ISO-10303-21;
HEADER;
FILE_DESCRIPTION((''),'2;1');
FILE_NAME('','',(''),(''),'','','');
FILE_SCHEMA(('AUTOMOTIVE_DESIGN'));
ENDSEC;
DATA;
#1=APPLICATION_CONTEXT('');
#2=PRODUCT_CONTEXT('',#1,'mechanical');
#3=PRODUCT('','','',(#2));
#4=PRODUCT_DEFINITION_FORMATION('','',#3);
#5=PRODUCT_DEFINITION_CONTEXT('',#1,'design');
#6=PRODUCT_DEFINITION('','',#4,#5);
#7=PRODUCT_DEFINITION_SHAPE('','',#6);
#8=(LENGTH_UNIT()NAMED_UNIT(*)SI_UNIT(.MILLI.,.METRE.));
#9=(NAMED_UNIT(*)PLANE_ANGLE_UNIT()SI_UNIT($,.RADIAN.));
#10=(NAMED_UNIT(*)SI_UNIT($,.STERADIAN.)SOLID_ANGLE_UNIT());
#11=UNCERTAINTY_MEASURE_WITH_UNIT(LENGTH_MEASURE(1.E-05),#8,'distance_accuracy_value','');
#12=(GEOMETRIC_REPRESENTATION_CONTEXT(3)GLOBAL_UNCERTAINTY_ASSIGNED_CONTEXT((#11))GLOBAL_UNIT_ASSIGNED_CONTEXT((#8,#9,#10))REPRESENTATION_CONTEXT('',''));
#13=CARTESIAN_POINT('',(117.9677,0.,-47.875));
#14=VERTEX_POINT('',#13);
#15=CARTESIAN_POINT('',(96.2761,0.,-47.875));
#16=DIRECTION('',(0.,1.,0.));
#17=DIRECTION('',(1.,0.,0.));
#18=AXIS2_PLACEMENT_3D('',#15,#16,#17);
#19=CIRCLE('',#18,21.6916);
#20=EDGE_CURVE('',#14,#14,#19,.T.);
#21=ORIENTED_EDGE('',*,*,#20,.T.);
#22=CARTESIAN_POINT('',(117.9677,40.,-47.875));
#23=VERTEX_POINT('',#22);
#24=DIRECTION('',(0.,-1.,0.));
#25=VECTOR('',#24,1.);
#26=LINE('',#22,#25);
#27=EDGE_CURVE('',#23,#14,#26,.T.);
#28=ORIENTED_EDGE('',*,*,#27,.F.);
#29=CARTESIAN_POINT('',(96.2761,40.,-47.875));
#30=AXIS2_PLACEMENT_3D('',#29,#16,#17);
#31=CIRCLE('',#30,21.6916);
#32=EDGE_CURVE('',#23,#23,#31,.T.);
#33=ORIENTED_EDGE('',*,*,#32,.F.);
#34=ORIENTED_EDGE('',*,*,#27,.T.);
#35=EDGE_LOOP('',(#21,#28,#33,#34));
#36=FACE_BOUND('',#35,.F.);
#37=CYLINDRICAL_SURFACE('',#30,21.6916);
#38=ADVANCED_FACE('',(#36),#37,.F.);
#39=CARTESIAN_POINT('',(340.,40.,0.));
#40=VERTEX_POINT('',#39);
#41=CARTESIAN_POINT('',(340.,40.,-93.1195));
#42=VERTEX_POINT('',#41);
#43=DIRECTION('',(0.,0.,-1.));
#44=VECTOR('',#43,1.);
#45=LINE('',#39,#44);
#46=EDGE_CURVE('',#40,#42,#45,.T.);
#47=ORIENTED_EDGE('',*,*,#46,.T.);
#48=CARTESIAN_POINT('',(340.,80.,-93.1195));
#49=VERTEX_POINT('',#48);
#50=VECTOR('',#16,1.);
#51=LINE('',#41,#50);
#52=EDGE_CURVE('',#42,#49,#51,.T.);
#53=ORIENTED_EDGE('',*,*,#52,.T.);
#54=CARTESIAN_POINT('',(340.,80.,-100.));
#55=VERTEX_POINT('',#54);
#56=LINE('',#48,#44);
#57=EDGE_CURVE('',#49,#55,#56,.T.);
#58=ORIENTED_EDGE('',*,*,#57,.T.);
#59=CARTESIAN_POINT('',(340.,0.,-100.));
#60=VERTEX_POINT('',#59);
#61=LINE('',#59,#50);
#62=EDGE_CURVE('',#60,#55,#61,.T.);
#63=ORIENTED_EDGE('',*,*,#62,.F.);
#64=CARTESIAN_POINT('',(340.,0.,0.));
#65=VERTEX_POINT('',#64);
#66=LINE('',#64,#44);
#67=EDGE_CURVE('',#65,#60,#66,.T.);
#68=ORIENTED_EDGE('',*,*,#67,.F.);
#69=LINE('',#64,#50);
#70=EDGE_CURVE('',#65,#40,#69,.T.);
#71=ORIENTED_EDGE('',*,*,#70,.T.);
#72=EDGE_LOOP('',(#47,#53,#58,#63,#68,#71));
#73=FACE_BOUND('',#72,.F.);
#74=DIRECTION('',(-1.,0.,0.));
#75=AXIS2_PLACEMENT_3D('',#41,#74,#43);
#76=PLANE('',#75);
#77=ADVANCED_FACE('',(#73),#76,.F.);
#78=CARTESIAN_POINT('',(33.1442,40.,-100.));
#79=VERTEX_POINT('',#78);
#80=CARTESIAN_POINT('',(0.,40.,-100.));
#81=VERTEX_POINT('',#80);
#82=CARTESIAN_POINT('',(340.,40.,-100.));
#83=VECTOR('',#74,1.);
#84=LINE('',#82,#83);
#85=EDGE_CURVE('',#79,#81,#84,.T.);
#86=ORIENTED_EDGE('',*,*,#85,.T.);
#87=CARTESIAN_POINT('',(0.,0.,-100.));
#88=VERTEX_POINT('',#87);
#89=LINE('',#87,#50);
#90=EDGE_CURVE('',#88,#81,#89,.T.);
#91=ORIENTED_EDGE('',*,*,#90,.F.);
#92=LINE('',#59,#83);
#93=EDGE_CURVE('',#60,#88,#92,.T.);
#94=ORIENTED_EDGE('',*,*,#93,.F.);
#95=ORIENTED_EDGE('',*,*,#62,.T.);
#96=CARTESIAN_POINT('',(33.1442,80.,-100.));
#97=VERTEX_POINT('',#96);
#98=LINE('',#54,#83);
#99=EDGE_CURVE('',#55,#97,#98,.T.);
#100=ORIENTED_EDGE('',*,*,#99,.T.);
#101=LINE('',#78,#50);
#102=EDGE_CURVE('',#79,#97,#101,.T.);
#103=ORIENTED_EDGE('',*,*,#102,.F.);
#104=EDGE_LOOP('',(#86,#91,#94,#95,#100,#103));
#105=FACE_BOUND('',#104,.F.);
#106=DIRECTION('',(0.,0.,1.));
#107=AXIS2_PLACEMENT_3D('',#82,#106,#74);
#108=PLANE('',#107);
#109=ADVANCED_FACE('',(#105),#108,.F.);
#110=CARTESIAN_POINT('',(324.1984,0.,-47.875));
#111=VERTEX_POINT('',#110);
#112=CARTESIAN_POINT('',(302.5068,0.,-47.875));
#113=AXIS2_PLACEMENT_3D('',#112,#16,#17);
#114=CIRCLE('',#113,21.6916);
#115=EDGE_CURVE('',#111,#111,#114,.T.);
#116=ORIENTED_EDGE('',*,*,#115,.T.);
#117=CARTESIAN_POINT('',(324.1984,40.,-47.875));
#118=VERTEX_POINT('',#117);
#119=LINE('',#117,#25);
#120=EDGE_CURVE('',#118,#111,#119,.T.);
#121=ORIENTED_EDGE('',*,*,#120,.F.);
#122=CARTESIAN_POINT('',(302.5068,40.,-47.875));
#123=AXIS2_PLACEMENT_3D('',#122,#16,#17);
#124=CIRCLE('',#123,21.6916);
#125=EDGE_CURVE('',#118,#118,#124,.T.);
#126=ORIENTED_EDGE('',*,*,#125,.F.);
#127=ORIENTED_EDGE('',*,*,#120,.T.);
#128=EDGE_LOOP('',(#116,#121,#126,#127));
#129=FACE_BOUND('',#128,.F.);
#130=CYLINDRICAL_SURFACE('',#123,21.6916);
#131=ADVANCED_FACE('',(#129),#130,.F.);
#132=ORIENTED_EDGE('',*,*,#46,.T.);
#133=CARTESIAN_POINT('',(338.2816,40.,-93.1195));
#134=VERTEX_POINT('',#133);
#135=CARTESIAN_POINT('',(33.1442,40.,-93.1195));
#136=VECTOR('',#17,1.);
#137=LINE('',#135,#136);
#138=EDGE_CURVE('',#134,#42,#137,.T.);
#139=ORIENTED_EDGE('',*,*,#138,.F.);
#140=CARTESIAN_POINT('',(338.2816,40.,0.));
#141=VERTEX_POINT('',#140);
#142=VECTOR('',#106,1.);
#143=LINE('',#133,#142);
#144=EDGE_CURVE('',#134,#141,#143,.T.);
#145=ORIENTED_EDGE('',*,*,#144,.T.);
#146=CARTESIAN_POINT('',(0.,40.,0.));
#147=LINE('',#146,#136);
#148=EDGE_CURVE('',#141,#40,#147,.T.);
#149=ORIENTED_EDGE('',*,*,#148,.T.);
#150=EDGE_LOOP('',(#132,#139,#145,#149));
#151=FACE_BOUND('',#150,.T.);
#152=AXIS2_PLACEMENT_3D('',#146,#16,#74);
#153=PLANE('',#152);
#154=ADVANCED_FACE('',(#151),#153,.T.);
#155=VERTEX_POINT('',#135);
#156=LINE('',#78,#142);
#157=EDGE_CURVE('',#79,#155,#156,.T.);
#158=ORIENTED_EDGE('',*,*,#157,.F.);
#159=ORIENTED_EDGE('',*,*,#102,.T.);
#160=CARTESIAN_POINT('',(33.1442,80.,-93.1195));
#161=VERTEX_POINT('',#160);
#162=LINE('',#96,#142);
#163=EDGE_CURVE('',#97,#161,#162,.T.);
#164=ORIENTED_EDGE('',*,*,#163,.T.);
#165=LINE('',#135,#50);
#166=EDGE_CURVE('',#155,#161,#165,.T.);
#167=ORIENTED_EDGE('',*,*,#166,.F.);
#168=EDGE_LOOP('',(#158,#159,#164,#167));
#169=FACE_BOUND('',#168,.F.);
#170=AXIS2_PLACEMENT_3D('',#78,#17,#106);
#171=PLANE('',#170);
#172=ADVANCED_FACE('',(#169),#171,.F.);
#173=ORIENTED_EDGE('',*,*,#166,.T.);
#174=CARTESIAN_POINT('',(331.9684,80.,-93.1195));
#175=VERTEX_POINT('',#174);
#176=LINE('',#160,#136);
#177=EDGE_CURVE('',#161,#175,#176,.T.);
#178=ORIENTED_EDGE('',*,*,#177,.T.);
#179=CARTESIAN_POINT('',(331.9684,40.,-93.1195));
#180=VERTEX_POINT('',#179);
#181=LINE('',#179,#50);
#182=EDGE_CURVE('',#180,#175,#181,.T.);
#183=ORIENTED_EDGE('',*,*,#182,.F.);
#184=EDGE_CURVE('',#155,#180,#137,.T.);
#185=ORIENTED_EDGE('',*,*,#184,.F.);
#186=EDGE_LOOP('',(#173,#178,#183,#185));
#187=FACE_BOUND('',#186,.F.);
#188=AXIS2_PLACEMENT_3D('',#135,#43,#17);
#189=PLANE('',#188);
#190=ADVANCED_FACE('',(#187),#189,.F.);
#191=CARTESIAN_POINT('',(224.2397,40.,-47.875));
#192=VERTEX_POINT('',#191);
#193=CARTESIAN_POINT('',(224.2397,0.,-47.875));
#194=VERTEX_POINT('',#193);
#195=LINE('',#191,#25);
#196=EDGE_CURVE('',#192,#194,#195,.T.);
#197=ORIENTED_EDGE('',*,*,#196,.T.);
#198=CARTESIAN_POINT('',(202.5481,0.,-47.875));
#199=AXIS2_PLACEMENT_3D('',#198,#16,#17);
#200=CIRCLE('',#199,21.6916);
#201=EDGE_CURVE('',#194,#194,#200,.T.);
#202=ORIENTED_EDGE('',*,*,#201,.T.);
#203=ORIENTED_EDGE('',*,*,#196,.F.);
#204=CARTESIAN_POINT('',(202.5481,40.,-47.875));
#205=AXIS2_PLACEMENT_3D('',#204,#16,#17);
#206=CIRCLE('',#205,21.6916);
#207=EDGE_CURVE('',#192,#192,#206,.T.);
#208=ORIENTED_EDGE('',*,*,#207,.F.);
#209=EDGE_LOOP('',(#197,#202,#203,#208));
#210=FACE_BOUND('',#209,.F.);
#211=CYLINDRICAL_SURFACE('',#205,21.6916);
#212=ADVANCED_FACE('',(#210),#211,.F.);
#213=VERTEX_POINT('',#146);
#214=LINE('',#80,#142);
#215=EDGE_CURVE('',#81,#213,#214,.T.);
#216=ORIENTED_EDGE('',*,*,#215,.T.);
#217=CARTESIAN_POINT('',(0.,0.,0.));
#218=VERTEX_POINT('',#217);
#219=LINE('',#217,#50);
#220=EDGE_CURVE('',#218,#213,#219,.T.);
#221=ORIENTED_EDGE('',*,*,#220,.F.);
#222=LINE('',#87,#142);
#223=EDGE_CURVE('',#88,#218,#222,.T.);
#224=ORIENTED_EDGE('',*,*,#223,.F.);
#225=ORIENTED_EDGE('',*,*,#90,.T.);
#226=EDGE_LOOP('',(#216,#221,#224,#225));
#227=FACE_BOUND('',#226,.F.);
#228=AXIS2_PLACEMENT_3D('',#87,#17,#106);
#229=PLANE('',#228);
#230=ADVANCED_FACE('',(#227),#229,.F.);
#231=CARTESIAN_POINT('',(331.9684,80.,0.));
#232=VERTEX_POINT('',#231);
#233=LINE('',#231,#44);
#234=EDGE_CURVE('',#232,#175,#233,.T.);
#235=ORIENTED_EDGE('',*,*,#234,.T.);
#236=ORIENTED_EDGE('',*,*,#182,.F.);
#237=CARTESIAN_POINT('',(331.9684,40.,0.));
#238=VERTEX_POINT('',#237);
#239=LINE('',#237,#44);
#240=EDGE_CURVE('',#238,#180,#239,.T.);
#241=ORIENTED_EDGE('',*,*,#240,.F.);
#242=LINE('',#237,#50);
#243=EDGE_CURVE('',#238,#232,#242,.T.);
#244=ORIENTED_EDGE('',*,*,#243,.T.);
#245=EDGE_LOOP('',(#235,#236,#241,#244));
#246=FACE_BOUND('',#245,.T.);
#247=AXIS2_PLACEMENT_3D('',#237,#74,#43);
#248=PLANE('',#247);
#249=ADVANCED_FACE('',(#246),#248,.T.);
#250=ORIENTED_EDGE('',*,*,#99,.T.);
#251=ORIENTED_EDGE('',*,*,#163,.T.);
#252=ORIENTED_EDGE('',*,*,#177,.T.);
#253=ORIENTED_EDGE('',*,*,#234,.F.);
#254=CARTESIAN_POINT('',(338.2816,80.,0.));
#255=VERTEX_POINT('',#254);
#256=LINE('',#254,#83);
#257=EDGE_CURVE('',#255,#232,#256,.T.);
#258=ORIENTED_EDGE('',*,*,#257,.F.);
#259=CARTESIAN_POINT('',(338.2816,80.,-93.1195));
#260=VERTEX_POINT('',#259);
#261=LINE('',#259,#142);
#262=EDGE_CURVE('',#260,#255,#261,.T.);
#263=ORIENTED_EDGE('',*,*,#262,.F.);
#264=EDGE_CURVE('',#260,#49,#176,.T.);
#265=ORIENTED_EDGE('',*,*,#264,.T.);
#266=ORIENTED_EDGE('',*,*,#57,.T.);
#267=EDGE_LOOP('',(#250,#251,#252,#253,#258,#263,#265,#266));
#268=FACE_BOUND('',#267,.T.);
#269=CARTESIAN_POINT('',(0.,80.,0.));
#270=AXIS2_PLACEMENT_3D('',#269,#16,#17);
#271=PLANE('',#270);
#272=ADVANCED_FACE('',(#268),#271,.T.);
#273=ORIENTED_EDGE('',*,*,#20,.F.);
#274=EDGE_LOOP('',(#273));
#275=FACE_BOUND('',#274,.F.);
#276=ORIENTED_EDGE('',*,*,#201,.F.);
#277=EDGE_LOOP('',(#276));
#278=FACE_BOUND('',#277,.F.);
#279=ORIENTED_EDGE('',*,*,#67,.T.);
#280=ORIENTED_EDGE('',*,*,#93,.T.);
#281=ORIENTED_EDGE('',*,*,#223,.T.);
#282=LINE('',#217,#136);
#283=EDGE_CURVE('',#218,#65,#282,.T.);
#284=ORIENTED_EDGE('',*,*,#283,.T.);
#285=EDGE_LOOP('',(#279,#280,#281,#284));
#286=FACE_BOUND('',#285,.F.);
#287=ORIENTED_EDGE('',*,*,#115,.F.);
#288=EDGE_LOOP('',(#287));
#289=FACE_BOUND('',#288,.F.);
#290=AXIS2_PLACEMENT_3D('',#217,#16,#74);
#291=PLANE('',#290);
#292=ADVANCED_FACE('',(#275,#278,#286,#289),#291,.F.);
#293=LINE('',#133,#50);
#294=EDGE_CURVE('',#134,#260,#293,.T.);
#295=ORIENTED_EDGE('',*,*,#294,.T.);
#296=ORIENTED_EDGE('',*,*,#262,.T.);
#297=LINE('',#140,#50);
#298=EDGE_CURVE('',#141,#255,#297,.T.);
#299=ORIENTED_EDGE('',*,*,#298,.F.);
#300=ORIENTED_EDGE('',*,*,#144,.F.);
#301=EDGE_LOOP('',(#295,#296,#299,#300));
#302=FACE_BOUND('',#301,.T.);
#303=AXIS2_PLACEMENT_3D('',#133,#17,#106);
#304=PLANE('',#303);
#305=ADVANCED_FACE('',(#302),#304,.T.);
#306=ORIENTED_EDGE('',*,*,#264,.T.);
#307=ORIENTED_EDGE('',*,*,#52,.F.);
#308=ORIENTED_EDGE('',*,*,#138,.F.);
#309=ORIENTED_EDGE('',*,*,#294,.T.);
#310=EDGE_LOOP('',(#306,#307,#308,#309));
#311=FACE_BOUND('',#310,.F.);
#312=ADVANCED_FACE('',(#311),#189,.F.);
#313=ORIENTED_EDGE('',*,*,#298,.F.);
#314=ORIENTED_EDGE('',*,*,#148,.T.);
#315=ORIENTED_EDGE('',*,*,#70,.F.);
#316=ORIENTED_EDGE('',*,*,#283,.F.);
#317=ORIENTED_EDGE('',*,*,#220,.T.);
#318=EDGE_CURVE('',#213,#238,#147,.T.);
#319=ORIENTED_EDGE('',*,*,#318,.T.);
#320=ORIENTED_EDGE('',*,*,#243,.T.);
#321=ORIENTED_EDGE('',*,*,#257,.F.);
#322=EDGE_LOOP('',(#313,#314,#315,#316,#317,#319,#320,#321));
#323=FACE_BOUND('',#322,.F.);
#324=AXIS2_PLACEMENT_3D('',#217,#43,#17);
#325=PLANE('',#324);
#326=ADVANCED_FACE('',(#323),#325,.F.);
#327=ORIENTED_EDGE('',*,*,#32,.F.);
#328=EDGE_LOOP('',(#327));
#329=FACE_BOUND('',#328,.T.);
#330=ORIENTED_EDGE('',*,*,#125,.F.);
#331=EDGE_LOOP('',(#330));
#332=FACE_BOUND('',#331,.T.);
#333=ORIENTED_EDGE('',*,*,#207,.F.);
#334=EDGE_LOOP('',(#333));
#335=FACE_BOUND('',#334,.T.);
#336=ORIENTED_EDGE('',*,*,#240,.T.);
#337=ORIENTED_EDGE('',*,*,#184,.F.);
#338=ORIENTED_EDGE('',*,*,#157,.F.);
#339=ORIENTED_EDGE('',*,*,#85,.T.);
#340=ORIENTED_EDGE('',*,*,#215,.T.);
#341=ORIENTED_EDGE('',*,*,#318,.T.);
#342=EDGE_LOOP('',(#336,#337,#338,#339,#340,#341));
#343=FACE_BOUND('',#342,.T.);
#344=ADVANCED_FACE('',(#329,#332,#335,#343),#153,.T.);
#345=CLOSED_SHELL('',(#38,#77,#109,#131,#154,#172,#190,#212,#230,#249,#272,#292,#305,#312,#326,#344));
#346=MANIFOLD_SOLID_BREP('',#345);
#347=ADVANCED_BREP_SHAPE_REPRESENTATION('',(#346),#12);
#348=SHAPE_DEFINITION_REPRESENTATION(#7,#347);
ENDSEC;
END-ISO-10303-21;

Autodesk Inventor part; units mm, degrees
ref_plane "YZ Plane" through (0, 0, 0) normal (1, 0, 0) x (0, 1, 0)
ref_plane "XZ Plane" through (0, 0, 0) normal (0, 1, 0) x (-1, 0, 0)
ref_plane "XY Plane" through (0, 0, 0) normal (0, 0, 1) x (1, 0, 0)
sketch "Sketch1" plane through (0, 0, 0) normal (0, 1, 0) x (-1, 0, 0)
  line L0 (0, 0) -> (-340, 0)
  line L1 (-340, 0) -> (-340, -100)
  line L2 (-340, -100) -> (0, -100)
  line L3 (0, -100) -> (0, 0)
  dimension "d0" = 340
  dimension "d1" = 100
extrude "Extrusion1" add sketch "Sketch1" along normal blind 40
sketch "Sketch2" plane through (0, 40, 0) normal (0, 1, 0) x (1, 0, 0)
  circle A0 centre (302.5068, 47.875) radius 21.6916
  circle A1 centre (202.5481, 47.875) radius 21.6916
  circle A2 centre (96.2761, 47.875) radius 21.6916
  circle A3 centre (302.5068, 47.875) radius 21.6916
  point P0 (0, 0)
extrude "Extrusion2" cut sketch "Sketch2" against normal blind 500
sketch "Sketch3" plane through (0, 40, 0) normal (0, 1, 0) x (1, 0, 0)
  line L0 (340, 100) -> (0, 100) projected
  line L1 (33.1442, 93.1195) -> (340, 93.1195)
  line L2 (340, 93.1195) -> (340, 100)
  line L3 (340, 100) -> (33.1442, 100)
  line L4 (33.1442, 100) -> (33.1442, 93.1195)
  point P0 (0, 0)
extrude "Extrusion3" add sketch "Sketch3" along normal blind 40
sketch "Sketch4" plane through (0, 40, 0) normal (0, 1, 0) x (1, 0, 0)
  line L0 (340, 93.1195) -> (33.1442, 93.1195) projected
  line L1 (338.2816, 0) -> (331.9684, 0)
  line L2 (331.9684, 0) -> (331.9684, 93.1195)
  line L3 (331.9684, 93.1195) -> (338.2816, 93.1195)
  line L4 (338.2816, 93.1195) -> (338.2816, 0)
  point P0 (0, 0)
extrude "Extrusion4" add sketch "Sketch4" along normal blind 40
